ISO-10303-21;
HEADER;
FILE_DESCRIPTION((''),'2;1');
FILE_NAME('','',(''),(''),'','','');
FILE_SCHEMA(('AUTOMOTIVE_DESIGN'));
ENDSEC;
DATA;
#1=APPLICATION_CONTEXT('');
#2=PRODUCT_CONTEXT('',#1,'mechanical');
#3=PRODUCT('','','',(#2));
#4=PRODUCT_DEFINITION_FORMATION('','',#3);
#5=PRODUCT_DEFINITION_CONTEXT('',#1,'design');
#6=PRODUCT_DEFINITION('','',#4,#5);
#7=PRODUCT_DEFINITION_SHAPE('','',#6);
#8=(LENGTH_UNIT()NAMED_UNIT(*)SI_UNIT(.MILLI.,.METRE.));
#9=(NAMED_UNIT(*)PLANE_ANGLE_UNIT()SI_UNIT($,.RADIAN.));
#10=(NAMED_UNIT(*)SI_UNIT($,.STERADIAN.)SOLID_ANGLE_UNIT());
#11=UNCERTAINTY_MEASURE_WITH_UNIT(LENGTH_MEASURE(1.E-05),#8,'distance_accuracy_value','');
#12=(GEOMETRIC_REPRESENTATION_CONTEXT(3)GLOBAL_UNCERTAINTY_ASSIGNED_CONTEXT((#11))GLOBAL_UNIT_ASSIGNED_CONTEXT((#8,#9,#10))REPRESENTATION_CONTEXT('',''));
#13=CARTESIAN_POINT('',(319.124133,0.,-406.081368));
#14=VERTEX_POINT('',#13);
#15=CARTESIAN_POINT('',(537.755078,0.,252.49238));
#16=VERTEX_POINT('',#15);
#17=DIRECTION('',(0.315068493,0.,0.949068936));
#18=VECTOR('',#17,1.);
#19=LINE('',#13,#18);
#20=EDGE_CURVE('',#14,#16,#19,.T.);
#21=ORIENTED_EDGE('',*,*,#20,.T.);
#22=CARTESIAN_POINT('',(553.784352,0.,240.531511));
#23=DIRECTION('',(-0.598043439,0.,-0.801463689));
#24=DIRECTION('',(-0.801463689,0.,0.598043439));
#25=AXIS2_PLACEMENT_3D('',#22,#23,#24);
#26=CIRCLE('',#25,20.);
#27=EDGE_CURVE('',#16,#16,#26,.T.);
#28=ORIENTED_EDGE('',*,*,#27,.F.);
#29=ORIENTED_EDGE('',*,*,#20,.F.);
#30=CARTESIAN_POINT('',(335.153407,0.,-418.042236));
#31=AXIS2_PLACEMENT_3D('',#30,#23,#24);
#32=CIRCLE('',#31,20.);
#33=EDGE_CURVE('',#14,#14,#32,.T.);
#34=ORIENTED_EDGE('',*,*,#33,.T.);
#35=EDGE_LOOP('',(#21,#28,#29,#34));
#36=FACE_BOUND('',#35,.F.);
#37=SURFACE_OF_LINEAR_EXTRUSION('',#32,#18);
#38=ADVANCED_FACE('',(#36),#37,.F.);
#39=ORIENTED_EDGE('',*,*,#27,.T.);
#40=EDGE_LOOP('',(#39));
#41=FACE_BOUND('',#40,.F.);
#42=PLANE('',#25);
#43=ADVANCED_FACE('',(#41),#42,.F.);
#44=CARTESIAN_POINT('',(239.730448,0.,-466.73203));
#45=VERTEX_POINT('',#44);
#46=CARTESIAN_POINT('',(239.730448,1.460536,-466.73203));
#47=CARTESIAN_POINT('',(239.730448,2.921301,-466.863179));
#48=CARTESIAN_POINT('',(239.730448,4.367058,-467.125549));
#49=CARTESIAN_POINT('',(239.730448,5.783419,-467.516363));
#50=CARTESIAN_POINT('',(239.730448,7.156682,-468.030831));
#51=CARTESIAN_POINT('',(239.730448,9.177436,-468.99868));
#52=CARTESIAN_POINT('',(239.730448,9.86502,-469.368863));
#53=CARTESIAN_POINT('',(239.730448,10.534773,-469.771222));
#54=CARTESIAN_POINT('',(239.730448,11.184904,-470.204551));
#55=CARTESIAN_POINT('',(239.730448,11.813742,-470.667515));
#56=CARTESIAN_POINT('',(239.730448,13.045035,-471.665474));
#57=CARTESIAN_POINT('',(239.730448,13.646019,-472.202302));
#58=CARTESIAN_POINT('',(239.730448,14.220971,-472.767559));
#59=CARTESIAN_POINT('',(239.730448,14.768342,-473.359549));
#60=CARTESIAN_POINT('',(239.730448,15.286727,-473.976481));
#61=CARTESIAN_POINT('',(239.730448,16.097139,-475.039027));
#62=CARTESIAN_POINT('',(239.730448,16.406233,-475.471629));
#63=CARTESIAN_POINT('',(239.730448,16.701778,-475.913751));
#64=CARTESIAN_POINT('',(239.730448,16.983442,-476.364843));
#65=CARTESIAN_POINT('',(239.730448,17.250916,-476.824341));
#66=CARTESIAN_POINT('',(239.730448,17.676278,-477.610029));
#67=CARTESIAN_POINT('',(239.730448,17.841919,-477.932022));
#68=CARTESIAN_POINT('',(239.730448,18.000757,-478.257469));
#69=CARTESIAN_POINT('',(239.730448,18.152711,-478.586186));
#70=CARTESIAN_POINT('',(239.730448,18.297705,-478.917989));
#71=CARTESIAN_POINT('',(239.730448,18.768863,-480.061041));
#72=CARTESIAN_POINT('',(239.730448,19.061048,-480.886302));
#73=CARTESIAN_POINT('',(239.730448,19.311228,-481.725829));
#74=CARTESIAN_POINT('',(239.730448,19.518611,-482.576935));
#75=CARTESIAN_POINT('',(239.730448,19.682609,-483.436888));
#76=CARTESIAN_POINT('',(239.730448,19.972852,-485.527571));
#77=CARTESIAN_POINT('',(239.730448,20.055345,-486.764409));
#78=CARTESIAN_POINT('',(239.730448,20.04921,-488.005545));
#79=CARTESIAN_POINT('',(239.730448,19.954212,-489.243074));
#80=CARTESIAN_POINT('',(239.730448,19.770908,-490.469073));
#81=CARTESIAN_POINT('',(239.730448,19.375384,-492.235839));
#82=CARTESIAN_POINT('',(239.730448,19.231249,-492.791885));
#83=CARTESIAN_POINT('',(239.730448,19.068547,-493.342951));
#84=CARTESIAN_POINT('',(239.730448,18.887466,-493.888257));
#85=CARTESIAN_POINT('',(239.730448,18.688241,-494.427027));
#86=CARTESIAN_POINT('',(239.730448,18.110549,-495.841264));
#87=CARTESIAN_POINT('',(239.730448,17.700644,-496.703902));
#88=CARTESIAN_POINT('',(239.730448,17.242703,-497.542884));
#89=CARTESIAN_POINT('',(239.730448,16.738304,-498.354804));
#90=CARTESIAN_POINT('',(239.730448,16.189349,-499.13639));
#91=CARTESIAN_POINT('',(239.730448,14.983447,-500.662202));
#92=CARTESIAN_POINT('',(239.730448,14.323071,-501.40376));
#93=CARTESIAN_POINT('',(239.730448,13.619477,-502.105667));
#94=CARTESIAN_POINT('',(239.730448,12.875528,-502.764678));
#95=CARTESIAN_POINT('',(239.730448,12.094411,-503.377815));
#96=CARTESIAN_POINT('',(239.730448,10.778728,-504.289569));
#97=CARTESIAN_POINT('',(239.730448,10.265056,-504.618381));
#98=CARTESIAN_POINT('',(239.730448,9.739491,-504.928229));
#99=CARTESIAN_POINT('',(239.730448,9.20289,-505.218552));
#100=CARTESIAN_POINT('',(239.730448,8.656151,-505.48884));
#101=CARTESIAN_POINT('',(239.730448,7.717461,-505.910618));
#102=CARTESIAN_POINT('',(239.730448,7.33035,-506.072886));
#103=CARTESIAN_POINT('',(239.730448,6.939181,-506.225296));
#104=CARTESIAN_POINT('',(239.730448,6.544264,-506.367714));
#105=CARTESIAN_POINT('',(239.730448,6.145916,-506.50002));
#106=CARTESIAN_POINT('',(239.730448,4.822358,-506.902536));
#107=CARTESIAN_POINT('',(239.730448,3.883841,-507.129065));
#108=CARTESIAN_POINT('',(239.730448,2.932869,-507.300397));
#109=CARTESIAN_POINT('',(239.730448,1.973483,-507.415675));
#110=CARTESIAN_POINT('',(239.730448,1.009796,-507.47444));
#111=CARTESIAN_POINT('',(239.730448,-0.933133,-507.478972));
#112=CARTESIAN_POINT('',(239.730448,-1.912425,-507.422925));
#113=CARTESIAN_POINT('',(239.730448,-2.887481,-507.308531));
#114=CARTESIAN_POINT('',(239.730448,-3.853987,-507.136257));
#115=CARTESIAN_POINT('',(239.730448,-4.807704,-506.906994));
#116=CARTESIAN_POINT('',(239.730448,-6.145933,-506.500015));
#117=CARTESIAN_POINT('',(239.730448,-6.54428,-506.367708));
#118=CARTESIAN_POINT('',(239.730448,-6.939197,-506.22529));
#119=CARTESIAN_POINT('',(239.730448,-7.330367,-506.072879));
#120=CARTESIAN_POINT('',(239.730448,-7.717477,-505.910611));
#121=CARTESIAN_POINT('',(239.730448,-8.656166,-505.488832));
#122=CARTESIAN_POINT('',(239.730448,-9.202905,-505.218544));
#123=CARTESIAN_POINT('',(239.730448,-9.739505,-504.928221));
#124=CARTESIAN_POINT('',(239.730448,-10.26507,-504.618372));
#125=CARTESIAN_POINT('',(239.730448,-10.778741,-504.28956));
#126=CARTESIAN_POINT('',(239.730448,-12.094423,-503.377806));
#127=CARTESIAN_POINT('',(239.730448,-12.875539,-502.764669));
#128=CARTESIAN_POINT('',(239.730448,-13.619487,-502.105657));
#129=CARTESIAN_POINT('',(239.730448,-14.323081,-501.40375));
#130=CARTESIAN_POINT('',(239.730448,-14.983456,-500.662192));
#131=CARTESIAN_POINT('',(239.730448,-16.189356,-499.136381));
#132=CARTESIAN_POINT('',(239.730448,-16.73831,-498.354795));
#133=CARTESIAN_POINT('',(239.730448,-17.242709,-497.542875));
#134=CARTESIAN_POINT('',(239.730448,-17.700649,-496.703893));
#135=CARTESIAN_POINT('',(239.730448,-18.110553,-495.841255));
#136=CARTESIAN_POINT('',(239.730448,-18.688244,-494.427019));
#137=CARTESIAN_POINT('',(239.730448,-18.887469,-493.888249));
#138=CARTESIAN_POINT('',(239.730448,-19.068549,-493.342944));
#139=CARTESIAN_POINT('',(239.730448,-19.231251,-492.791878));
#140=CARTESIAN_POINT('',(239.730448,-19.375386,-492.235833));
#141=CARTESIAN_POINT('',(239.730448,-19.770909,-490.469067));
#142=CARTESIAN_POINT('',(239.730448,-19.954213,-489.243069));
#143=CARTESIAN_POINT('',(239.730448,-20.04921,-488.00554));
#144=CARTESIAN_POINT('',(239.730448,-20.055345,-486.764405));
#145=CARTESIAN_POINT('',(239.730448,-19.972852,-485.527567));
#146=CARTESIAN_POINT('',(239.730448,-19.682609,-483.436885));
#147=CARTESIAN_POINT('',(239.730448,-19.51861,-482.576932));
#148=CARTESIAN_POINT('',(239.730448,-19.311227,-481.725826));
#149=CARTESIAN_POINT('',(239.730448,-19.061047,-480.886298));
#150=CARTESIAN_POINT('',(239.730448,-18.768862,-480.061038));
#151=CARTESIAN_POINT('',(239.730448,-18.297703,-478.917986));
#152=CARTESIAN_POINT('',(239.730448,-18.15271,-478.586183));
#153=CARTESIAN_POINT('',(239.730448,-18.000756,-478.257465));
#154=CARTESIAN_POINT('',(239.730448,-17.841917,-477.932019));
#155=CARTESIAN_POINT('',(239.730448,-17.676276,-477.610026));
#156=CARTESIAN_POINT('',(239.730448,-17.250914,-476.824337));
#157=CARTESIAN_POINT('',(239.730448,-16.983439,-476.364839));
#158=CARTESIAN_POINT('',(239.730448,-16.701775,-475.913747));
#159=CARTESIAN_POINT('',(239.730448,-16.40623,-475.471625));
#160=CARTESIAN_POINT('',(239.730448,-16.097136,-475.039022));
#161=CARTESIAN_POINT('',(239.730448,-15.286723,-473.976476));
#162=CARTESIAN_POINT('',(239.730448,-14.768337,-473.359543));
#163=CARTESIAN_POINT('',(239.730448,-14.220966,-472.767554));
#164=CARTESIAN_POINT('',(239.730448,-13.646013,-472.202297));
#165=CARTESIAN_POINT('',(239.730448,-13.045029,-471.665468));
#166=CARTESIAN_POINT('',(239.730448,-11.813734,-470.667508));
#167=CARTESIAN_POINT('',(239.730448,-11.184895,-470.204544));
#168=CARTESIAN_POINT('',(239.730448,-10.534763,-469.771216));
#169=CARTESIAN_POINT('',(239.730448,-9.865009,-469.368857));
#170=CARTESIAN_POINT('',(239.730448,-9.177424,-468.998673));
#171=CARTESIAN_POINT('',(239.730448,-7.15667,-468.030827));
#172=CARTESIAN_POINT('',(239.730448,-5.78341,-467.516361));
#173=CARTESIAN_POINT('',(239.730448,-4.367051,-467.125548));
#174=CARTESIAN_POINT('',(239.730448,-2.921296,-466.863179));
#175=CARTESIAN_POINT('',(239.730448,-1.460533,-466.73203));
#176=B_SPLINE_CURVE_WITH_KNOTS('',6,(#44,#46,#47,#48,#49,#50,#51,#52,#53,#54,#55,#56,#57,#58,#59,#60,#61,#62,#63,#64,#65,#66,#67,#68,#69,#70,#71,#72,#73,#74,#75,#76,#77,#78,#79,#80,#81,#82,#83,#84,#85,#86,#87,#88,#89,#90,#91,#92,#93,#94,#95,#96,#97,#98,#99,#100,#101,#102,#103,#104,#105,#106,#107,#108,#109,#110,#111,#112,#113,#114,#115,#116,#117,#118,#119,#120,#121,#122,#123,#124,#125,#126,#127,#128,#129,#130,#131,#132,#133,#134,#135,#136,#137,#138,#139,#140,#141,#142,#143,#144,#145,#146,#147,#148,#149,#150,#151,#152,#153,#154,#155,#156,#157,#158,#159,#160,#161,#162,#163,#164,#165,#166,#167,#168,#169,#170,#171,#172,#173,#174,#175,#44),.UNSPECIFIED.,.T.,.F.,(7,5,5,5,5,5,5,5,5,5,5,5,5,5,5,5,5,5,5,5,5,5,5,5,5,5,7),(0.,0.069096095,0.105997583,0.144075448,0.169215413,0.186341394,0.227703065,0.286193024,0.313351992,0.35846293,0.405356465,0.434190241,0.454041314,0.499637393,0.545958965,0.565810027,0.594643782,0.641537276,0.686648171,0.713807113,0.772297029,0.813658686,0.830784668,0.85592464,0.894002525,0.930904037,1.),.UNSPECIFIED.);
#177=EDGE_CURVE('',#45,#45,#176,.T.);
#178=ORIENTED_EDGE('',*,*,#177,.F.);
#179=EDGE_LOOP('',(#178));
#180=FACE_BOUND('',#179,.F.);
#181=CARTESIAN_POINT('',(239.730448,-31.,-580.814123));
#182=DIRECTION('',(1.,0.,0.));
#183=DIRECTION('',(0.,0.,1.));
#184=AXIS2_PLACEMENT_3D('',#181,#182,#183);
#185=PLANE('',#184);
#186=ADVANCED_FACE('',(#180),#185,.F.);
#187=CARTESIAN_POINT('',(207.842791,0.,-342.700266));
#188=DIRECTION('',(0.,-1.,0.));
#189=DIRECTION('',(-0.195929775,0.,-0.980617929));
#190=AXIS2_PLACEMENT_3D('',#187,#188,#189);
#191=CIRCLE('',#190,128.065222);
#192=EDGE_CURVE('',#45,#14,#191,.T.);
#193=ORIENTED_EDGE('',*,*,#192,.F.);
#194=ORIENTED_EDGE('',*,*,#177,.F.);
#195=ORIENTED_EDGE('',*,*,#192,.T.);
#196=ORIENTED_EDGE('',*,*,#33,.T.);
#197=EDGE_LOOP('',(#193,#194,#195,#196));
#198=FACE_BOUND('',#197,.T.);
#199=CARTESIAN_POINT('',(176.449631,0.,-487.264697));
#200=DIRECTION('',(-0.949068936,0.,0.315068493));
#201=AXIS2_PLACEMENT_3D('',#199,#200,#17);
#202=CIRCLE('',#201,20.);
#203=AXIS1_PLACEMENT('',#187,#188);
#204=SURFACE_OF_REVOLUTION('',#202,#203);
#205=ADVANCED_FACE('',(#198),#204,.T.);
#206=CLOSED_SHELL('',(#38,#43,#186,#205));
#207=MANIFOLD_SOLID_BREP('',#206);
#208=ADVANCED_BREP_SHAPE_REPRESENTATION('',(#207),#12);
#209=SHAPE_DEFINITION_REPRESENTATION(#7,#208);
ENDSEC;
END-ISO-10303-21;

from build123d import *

# Parameters (mm, degrees)
F1_R     = 20
F4_W     = 492.1490550041
F4_H     = 903.9503931999
F5_DEPTH = 285


with BuildPart() as f2:
    # F2: sweep along a path in F0
    with BuildLine(Plane.XZ) as f2_path:
        Line((-66.0728167501, 300.1200573085), (152.5581282915, -358.4536903766))
        ThreePointArc((152.5581282915, -358.4536903766), (170.7512882752, -383.244508423), (200.0115750742, -392.700265719))
        Line((200.0115750742, -392.700265719), (207.8427914255, -392.700265719))
        ThreePointArc((207.8427914255, -392.700265719), (237.1030782246, -383.244508423), (255.2962382083, -358.4536903766))
        Line((255.2962382083, -358.4536903766), (473.9271832499, 300.1200573085))
    # F1 (on Top) → F2 (sweep)
    with BuildSketch(Plane.XY):
        with Locations((-66.0791993141, 0)):
            Circle(F1_R)
    sweep(path=f2_path.line)

    # F4 (on offset) → F5 (cut)
    with BuildSketch(Plane.XZ.offset(31)):
        with Locations((-6.3440799713, -128.8389265537)):
            Rectangle(F4_W, F4_H)
    extrude(amount=-F5_DEPTH, mode=Mode.SUBTRACT)


solid = f2.part
